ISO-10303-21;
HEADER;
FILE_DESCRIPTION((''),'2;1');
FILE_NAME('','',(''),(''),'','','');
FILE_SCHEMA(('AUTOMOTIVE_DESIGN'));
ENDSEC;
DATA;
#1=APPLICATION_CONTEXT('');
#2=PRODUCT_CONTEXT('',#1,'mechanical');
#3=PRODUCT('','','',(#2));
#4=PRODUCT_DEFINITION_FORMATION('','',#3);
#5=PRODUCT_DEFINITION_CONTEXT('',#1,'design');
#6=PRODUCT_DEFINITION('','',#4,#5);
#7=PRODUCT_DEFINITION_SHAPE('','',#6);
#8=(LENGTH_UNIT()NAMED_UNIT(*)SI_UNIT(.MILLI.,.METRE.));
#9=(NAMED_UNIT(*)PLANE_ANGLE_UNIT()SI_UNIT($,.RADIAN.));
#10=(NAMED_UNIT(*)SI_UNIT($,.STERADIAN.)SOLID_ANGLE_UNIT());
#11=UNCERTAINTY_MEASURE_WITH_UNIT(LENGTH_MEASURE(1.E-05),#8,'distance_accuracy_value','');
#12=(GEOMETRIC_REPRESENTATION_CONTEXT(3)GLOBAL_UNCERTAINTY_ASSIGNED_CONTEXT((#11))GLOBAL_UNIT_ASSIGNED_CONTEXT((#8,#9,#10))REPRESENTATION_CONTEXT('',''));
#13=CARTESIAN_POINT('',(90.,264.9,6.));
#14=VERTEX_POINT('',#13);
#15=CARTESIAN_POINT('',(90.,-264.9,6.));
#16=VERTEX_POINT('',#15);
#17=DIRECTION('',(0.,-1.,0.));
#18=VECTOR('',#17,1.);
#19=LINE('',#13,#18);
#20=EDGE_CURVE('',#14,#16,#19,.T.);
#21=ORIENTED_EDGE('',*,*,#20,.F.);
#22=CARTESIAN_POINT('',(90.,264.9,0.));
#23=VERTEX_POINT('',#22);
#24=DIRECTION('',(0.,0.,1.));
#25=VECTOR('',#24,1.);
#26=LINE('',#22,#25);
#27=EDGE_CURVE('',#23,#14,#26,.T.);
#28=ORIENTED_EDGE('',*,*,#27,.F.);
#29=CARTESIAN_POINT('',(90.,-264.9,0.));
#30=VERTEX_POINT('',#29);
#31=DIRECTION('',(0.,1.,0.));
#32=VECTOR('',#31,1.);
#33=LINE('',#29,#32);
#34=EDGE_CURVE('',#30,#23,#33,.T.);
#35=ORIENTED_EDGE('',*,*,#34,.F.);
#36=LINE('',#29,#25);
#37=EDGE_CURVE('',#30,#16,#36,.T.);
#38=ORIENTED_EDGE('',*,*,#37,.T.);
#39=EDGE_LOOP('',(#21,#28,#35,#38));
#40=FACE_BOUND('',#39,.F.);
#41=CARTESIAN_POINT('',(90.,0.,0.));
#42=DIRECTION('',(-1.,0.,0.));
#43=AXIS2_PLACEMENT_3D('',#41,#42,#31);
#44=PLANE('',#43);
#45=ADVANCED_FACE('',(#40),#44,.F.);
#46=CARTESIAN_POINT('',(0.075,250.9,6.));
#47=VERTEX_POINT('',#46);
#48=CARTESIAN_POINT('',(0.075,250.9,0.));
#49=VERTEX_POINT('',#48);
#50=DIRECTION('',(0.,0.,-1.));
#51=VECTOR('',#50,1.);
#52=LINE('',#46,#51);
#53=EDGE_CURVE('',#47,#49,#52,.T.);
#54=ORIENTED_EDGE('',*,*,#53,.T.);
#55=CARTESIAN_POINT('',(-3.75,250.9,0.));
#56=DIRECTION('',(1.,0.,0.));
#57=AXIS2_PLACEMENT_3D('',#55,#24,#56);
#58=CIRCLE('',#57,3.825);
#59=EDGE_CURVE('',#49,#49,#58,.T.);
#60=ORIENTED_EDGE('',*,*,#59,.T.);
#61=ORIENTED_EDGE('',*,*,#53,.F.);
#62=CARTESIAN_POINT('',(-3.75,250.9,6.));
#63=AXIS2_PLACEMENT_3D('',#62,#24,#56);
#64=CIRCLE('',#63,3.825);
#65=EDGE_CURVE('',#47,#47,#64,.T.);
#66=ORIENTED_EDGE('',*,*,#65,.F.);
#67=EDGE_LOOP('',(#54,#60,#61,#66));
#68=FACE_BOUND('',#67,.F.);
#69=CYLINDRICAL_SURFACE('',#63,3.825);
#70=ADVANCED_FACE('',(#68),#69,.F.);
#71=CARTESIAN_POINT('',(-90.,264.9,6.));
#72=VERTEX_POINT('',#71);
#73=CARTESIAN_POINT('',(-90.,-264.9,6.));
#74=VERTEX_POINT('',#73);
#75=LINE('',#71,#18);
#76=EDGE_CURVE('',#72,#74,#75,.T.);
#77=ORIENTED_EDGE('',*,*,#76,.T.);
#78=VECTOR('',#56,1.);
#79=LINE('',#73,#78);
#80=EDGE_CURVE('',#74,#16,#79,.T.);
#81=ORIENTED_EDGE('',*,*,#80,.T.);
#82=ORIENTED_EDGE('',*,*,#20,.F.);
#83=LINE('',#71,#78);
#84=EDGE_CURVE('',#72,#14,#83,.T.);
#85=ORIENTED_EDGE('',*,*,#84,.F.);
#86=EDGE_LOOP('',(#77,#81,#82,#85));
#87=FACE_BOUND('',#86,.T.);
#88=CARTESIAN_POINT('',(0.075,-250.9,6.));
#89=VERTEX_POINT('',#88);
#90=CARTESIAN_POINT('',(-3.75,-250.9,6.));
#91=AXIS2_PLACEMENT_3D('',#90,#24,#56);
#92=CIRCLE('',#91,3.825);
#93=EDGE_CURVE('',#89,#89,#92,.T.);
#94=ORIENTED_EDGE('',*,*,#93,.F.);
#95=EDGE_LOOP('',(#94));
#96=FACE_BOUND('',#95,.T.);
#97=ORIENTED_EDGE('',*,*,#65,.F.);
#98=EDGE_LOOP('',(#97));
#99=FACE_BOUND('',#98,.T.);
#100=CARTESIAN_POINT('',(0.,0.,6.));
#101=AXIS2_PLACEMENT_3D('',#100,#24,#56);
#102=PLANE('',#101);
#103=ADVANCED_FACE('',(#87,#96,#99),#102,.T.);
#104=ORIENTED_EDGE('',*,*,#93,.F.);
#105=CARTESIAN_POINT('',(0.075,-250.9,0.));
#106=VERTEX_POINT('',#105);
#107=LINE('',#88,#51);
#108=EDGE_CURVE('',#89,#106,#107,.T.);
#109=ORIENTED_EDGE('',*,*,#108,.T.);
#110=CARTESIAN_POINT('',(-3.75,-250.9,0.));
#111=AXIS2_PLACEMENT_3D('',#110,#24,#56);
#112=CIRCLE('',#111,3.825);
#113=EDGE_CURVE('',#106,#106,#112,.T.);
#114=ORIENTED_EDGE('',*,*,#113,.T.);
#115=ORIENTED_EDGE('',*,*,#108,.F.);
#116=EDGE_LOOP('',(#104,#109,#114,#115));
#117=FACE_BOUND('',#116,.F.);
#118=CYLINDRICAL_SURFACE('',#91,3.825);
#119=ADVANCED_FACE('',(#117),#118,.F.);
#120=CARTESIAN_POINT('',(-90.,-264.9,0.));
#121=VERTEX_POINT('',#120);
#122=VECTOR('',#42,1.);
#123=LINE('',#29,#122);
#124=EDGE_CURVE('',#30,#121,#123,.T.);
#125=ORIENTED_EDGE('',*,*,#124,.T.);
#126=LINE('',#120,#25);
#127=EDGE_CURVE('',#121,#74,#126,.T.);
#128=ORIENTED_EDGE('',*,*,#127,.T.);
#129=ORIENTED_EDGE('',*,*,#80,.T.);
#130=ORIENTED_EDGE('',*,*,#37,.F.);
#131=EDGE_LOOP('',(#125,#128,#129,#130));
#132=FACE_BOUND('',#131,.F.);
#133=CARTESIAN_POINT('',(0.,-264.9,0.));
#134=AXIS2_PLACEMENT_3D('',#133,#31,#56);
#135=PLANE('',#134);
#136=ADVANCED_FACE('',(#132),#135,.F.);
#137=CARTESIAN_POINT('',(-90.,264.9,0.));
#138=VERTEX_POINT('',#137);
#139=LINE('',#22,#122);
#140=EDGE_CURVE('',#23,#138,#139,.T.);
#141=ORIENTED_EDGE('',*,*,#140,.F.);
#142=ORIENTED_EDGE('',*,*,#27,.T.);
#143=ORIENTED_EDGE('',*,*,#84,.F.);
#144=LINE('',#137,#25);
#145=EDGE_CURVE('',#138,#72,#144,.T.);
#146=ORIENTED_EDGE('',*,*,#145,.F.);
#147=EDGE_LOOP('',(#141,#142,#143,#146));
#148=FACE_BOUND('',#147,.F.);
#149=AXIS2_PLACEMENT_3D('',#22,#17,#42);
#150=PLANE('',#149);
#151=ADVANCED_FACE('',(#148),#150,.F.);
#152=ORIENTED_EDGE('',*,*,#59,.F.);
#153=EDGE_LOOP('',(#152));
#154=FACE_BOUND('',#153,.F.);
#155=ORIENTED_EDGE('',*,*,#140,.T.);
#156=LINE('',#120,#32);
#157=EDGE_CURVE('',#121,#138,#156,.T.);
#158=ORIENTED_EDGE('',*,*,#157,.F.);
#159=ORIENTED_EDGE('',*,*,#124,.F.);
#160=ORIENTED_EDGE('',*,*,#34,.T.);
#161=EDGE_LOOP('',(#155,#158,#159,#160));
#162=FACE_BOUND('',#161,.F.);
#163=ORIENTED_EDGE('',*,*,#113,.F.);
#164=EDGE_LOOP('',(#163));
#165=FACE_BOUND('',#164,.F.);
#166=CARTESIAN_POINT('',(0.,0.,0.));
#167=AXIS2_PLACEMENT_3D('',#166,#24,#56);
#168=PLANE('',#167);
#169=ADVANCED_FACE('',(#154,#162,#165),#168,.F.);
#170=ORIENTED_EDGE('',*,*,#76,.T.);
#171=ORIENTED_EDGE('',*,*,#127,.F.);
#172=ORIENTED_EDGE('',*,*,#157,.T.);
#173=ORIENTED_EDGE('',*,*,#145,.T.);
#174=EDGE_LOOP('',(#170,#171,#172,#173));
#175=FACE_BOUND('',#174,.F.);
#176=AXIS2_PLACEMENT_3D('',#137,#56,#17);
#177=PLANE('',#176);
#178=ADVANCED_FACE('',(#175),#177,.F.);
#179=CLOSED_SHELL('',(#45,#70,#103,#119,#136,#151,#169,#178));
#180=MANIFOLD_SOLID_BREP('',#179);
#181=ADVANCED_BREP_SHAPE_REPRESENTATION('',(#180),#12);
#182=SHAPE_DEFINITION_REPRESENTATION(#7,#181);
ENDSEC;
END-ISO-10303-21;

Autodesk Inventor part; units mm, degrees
ref_plane "YZ Plane" through (0, 0, 0) normal (1, 0, 0) x (0, 1, 0)
ref_plane "XZ Plane" through (0, 0, 0) normal (0, 1, 0) x (-1, 0, 0)
ref_plane "XY Plane" through (0, 0, 0) normal (0, 0, 1) x (1, 0, 0)
sketch "Skizze1" plane through (0, 0, 0) normal (0, 0, 1) x (1, 0, 0)
  line L0 (0, 370.86) -> (0, -370.86) projected
  line L1 (-126, 0) -> (126, 0) projected
  line L2 (-90, -264.9) -> (90, -264.9)
  line L3 (90, -264.9) -> (90, 264.9)
  line L4 (90, 264.9) -> (-90, 264.9)
  line L5 (-90, 264.9) -> (-90, -264.9)
  point P0 (0, 0)
  point P1 (0, -264.9)
  point P2 (-90, 0)
  dimension "d0" = 529.8
  dimension "d1" = 180
extrude "Extrusion1" add sketch "Skizze1" along normal blind 6
sketch "Sketch4" plane through (0, 0, 6) normal (0, 0, 1) x (1, 0, 0)
  circle A0 centre (-3.75, -250.9) radius 3.825
  line L0 (90, 264.9) -> (90, -264.9) projected
  line L1 (90, -264.9) -> (-90, -264.9) projected
  circle A1 centre (-3.75, 250.9) radius 3.825
  line L2 (-90, 264.9) -> (90, 264.9) projected
  point P0 (0, 0)
  dimension "d11" = 7.65
  dimension "d12" = 93.75
  dimension "d13" = 14
  dimension "d14" = 7.65
  dimension "d15" = 14
  dimension "d16" = 93.75
extrude "Extrusion3" cut sketch "Sketch4" against normal blind 10
properties part number "SideCagePanelRemovable" material "PVC-U"
